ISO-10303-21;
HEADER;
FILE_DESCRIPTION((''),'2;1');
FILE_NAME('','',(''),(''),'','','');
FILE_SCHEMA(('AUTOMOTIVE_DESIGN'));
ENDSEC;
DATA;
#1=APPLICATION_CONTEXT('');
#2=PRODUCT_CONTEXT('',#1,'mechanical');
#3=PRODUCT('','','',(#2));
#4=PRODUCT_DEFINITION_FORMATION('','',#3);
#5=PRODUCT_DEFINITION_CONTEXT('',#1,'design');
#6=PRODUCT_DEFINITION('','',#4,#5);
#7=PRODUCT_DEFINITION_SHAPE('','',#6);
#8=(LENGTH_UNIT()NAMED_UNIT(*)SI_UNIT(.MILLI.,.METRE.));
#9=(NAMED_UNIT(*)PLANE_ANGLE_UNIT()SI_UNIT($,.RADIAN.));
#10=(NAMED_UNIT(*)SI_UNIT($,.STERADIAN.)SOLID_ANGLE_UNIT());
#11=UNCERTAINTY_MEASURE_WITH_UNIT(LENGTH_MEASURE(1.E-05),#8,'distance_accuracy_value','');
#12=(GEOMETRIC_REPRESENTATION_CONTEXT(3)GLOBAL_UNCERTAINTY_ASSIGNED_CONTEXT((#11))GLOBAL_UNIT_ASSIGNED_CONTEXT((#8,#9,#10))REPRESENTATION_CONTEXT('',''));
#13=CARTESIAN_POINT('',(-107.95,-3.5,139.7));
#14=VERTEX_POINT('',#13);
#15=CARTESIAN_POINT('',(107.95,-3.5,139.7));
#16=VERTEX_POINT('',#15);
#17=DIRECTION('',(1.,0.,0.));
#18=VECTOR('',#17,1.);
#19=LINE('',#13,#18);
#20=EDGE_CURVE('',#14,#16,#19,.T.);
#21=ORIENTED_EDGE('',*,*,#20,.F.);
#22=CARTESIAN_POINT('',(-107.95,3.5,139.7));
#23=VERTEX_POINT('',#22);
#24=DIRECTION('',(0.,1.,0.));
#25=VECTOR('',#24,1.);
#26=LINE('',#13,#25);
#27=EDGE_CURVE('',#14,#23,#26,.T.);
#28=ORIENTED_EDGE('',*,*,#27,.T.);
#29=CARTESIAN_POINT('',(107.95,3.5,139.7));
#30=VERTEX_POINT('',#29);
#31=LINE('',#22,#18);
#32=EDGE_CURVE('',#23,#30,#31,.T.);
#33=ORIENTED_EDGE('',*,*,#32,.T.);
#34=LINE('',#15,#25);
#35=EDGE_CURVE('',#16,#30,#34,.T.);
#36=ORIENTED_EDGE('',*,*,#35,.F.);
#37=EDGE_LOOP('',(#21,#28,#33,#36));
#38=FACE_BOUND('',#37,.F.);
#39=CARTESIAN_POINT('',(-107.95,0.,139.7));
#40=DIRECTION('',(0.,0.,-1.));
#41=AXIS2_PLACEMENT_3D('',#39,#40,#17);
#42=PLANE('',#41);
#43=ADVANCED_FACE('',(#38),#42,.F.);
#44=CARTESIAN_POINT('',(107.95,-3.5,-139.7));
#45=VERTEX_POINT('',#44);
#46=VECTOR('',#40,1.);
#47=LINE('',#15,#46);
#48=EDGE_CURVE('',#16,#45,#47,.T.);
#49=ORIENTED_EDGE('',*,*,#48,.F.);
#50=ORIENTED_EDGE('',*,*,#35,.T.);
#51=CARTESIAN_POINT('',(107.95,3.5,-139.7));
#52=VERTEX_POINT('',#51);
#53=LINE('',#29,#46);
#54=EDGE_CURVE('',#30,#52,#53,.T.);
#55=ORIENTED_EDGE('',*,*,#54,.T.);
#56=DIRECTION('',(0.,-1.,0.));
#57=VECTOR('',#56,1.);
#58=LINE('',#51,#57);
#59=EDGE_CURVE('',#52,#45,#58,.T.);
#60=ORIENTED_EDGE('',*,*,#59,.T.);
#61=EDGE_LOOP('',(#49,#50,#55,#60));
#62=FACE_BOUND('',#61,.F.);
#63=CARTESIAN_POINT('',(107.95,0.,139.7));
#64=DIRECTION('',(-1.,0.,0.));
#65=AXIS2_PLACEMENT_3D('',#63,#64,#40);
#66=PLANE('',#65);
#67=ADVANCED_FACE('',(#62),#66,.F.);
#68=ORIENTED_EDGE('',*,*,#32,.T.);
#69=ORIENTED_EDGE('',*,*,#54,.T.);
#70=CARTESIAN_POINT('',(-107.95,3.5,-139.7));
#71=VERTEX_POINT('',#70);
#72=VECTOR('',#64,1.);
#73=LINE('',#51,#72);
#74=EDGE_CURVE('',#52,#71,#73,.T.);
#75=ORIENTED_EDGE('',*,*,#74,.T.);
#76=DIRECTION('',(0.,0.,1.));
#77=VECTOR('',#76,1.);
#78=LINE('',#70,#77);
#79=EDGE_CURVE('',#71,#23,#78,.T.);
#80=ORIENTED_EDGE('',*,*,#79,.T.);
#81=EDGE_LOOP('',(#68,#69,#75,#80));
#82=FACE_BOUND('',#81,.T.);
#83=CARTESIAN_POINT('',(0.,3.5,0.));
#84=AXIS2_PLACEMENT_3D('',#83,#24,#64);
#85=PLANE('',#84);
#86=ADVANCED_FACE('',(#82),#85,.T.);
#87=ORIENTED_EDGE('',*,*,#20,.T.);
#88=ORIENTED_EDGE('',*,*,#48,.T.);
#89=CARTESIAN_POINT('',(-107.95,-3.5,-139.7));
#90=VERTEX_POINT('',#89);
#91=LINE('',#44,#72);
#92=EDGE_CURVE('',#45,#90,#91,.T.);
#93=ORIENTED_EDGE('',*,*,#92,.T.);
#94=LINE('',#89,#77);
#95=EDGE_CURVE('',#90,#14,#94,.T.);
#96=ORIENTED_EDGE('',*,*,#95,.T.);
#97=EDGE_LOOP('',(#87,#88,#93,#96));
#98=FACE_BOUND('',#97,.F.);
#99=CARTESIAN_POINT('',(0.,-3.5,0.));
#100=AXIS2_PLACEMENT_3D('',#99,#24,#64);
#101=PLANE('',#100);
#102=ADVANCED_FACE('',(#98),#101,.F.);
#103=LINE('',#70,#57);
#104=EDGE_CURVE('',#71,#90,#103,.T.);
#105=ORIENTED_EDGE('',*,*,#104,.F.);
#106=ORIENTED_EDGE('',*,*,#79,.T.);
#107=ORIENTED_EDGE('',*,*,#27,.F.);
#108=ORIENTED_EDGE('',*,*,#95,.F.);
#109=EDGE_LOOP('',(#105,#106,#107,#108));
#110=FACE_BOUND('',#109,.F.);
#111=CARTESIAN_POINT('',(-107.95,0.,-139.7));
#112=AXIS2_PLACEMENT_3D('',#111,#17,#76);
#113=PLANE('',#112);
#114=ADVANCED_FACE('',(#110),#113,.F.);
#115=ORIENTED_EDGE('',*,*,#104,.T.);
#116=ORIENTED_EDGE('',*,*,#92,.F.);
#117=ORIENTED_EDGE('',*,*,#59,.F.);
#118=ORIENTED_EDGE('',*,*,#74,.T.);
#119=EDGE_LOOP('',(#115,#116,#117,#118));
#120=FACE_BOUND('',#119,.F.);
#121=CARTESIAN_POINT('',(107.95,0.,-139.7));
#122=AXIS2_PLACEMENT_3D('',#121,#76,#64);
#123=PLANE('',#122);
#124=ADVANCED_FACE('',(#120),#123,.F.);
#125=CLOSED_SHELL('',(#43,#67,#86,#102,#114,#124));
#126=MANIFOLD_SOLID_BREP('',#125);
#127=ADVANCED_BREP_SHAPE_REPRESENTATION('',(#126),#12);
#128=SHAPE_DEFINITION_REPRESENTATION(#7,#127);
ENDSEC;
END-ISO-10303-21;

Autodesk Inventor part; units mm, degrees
ref_plane "YZ Plane" through (0, 0, 0) normal (1, 0, 0) x (0, 1, 0)
ref_plane "XZ Plane" through (0, 0, 0) normal (0, 1, 0) x (-1, 0, 0)
ref_plane "XY Plane" through (0, 0, 0) normal (0, 0, 1) x (1, 0, 0)
sketch "Sketch1" plane through (0, 0, 0) normal (0, 1, 0) x (-1, 0, 0)
  line L0 (107.95, 139.7) -> (-107.95, 139.7)
  line L1 (-107.95, 139.7) -> (-107.95, -139.7)
  line L2 (-107.95, -139.7) -> (107.95, -139.7)
  line L3 (107.95, -139.7) -> (107.95, 139.7)
  line L4 (107.95, 139.7) -> (-107.95, -139.7) construction
  line L5 (-107.95, 139.7) -> (107.95, -139.7) construction
  point P0 (0, 0)
  dimension "d0" = 215.9
  dimension "d1" = 279.4
extrude "Extrusion1" add sketch "Sketch1" along normal mid plane 7
properties part number "Rules" material "Paper"
